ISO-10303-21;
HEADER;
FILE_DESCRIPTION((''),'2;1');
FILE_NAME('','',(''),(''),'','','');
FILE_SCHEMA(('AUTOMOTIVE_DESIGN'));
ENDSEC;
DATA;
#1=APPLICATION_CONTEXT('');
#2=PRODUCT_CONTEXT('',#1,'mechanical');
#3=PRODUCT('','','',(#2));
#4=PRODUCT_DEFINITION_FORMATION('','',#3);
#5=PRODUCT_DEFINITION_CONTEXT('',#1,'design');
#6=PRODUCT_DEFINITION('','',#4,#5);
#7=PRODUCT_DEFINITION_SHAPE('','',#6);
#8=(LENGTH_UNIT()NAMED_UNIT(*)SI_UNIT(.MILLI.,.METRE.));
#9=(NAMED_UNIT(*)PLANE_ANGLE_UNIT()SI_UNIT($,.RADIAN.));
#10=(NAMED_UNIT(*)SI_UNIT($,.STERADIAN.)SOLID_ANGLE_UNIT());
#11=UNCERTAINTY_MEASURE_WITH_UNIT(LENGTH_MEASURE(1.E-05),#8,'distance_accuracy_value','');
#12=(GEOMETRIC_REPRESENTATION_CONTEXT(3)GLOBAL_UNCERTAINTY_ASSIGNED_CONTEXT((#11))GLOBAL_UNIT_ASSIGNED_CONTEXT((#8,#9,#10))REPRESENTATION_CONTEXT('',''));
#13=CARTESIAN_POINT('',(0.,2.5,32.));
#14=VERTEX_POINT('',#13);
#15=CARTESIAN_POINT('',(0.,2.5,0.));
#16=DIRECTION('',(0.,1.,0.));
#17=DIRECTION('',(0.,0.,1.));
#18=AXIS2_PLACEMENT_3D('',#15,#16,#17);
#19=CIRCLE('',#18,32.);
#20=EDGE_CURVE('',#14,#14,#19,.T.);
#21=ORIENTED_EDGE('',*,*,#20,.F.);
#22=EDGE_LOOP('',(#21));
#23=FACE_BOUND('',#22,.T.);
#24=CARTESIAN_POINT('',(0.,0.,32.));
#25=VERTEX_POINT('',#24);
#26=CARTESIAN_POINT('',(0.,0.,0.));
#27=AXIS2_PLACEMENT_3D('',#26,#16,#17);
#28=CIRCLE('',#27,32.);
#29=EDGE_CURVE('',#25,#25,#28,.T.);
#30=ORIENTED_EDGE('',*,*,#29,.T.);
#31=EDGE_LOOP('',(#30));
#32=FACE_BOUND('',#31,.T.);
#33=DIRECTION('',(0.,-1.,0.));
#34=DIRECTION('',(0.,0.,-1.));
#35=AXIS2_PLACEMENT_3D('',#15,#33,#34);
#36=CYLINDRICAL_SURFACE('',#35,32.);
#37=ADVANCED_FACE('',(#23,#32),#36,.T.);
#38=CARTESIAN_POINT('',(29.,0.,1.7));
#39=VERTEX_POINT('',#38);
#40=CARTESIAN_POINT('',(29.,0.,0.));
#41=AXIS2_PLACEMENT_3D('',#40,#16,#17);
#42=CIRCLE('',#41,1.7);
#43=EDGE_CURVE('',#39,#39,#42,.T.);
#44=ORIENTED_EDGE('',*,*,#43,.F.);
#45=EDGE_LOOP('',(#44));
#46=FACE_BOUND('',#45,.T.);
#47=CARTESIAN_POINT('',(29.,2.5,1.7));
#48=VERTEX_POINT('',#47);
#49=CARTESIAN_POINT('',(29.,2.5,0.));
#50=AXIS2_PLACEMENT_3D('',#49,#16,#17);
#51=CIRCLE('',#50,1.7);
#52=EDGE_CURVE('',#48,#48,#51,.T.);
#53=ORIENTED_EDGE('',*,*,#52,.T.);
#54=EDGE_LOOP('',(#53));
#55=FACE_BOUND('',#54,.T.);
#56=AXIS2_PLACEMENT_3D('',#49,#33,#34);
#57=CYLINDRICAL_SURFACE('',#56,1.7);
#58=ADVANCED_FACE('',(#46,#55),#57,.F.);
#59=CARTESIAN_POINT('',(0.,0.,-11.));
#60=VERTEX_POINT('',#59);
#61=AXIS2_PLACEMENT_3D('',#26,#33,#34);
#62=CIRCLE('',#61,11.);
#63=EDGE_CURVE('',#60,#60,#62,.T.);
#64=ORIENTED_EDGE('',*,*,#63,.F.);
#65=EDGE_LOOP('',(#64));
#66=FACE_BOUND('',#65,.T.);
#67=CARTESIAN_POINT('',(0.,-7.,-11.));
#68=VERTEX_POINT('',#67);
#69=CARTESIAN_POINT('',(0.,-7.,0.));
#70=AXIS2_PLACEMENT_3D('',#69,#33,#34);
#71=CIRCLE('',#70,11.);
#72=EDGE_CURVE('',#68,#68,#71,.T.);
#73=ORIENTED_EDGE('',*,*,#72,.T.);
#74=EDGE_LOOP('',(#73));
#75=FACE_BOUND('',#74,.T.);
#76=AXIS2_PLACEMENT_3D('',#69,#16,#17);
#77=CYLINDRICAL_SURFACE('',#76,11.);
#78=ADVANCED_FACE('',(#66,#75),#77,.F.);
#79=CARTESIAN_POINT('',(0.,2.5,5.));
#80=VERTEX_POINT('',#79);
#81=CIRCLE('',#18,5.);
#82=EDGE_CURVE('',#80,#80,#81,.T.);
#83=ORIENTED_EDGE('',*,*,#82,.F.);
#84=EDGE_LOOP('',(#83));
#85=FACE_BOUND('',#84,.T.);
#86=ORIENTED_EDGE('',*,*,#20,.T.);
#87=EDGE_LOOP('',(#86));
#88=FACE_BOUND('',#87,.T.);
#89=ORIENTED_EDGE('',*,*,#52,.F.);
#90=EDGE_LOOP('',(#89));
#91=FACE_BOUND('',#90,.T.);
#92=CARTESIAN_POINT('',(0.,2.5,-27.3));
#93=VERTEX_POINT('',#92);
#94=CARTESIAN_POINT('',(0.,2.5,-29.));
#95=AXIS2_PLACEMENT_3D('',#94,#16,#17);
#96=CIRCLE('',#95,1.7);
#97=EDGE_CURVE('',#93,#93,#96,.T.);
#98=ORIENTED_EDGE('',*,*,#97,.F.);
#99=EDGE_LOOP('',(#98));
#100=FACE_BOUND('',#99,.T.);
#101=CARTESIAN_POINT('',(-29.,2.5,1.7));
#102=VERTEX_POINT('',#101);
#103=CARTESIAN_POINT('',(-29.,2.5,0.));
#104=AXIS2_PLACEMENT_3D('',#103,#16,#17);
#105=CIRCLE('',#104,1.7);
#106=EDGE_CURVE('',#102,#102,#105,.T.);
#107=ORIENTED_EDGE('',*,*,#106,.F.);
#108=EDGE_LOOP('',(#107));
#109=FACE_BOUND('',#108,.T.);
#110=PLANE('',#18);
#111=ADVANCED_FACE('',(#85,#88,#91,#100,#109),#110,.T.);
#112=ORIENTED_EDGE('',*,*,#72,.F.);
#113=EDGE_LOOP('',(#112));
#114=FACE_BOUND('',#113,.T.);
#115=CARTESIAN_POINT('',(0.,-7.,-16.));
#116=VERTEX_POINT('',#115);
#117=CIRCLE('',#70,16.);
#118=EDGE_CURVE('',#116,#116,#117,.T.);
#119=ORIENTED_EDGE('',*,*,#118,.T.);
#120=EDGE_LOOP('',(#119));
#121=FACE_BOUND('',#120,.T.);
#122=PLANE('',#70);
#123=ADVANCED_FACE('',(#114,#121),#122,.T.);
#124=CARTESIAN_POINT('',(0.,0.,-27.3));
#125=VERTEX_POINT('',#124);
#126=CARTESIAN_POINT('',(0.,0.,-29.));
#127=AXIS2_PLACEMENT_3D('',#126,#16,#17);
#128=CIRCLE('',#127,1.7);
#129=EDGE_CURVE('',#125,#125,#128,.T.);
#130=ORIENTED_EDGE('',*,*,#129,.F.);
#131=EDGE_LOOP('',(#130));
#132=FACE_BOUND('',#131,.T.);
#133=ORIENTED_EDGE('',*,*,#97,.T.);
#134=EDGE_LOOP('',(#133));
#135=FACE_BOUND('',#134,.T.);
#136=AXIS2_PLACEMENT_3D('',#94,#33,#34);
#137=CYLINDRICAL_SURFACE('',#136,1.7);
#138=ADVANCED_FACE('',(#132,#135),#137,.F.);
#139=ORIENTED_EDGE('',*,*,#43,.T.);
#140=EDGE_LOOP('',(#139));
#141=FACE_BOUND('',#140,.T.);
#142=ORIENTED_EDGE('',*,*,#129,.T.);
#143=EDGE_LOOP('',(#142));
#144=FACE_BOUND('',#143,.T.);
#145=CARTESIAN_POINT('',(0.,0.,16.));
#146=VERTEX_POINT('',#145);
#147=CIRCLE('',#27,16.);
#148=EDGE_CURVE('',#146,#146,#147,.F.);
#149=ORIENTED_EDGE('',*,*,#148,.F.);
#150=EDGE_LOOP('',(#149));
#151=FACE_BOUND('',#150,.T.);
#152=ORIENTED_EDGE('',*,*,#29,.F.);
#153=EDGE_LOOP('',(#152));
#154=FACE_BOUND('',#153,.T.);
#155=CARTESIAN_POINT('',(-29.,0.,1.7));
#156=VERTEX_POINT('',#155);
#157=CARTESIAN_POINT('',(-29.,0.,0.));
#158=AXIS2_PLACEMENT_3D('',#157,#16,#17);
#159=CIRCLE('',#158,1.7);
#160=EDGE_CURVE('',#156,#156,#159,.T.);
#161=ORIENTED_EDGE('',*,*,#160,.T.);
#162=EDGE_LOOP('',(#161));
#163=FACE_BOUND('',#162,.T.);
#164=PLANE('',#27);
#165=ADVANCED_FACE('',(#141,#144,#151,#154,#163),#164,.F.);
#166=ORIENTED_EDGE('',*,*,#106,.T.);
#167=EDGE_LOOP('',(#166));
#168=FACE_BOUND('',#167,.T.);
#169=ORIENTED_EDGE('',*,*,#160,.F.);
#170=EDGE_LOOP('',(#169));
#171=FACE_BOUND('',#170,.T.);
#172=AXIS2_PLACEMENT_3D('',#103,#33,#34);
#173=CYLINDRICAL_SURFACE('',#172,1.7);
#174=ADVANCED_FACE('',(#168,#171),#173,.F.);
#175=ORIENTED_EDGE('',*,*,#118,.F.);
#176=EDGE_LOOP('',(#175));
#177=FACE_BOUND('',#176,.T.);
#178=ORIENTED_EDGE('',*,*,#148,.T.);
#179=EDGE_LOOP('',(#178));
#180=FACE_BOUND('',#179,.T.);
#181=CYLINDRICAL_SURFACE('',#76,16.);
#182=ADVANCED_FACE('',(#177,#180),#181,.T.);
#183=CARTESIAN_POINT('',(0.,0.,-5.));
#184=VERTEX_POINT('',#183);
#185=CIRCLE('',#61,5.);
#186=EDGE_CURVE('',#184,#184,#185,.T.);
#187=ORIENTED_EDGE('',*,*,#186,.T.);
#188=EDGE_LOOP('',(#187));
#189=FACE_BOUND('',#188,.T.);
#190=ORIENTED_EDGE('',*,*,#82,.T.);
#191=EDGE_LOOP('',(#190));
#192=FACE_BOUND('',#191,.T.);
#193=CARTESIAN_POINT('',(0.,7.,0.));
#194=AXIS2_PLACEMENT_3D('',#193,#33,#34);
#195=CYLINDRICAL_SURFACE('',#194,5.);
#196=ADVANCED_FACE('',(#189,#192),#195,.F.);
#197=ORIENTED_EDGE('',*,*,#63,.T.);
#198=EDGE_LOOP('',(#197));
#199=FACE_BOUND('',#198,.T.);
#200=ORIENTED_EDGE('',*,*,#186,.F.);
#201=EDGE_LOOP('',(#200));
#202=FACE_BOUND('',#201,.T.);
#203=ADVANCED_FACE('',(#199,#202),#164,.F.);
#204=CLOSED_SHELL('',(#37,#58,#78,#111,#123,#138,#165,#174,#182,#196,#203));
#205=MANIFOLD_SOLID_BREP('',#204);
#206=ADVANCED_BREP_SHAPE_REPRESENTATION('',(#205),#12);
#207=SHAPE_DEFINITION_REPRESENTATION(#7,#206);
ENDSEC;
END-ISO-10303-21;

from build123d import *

# Parameters (mm, degrees)
CROQUIS1_R              = 32
CROQUIS1_R_2            = 1.7
SALIENTE_EXTRUIR1_DEPTH = 2.5
CROQUIS2_R              = 16
CROQUIS2_R_2            = 11
SALIENTE_EXTRUIR2_DEPTH = 7
CROQUIS3_R              = 5
CORTAR_EXTRUIR1_DEPTH   = 7


with BuildPart() as part:
    # Croquis1 → Saliente-Extruir1 (new body)
    with BuildSketch(Plane(origin=(0, 0, 0), x_dir=(1, 0, 0), z_dir=(0, 1, 0))):
        with Locations(Location((0, 0, 0), (0, 0, 270))):
            Circle(CROQUIS1_R)
        with Locations(Location((29, 0, 0), (0, 0, 270))):
            Circle(CROQUIS1_R_2, mode=Mode.SUBTRACT)
        with Locations(Location((-29, 0, 0), (0, 0, 270))):
            Circle(CROQUIS1_R_2, mode=Mode.SUBTRACT)
        with Locations(Location((0, 29, 0), (0, 0, 270))):
            Circle(CROQUIS1_R_2, mode=Mode.SUBTRACT)
    extrude(amount=SALIENTE_EXTRUIR1_DEPTH)

    # Croquis2 → Saliente-Extruir2 (add)
    with BuildSketch(Plane.XZ):
        with Locations(Location((0, 0, 0), (0, 0, 90))):
            Circle(CROQUIS2_R)
        with Locations(Location((0, 0, 0), (0, 0, 270))):
            Circle(CROQUIS2_R_2, mode=Mode.SUBTRACT)
    extrude(amount=SALIENTE_EXTRUIR2_DEPTH)

    # Croquis3 → Cortar-Extruir1 (cut)
    with BuildSketch(Plane.XZ):
        with Locations(Location((0, 0, 0), (0, 0, 270))):
            Circle(CROQUIS3_R)
    extrude(amount=-CORTAR_EXTRUIR1_DEPTH, mode=Mode.SUBTRACT)


solid = part.part
